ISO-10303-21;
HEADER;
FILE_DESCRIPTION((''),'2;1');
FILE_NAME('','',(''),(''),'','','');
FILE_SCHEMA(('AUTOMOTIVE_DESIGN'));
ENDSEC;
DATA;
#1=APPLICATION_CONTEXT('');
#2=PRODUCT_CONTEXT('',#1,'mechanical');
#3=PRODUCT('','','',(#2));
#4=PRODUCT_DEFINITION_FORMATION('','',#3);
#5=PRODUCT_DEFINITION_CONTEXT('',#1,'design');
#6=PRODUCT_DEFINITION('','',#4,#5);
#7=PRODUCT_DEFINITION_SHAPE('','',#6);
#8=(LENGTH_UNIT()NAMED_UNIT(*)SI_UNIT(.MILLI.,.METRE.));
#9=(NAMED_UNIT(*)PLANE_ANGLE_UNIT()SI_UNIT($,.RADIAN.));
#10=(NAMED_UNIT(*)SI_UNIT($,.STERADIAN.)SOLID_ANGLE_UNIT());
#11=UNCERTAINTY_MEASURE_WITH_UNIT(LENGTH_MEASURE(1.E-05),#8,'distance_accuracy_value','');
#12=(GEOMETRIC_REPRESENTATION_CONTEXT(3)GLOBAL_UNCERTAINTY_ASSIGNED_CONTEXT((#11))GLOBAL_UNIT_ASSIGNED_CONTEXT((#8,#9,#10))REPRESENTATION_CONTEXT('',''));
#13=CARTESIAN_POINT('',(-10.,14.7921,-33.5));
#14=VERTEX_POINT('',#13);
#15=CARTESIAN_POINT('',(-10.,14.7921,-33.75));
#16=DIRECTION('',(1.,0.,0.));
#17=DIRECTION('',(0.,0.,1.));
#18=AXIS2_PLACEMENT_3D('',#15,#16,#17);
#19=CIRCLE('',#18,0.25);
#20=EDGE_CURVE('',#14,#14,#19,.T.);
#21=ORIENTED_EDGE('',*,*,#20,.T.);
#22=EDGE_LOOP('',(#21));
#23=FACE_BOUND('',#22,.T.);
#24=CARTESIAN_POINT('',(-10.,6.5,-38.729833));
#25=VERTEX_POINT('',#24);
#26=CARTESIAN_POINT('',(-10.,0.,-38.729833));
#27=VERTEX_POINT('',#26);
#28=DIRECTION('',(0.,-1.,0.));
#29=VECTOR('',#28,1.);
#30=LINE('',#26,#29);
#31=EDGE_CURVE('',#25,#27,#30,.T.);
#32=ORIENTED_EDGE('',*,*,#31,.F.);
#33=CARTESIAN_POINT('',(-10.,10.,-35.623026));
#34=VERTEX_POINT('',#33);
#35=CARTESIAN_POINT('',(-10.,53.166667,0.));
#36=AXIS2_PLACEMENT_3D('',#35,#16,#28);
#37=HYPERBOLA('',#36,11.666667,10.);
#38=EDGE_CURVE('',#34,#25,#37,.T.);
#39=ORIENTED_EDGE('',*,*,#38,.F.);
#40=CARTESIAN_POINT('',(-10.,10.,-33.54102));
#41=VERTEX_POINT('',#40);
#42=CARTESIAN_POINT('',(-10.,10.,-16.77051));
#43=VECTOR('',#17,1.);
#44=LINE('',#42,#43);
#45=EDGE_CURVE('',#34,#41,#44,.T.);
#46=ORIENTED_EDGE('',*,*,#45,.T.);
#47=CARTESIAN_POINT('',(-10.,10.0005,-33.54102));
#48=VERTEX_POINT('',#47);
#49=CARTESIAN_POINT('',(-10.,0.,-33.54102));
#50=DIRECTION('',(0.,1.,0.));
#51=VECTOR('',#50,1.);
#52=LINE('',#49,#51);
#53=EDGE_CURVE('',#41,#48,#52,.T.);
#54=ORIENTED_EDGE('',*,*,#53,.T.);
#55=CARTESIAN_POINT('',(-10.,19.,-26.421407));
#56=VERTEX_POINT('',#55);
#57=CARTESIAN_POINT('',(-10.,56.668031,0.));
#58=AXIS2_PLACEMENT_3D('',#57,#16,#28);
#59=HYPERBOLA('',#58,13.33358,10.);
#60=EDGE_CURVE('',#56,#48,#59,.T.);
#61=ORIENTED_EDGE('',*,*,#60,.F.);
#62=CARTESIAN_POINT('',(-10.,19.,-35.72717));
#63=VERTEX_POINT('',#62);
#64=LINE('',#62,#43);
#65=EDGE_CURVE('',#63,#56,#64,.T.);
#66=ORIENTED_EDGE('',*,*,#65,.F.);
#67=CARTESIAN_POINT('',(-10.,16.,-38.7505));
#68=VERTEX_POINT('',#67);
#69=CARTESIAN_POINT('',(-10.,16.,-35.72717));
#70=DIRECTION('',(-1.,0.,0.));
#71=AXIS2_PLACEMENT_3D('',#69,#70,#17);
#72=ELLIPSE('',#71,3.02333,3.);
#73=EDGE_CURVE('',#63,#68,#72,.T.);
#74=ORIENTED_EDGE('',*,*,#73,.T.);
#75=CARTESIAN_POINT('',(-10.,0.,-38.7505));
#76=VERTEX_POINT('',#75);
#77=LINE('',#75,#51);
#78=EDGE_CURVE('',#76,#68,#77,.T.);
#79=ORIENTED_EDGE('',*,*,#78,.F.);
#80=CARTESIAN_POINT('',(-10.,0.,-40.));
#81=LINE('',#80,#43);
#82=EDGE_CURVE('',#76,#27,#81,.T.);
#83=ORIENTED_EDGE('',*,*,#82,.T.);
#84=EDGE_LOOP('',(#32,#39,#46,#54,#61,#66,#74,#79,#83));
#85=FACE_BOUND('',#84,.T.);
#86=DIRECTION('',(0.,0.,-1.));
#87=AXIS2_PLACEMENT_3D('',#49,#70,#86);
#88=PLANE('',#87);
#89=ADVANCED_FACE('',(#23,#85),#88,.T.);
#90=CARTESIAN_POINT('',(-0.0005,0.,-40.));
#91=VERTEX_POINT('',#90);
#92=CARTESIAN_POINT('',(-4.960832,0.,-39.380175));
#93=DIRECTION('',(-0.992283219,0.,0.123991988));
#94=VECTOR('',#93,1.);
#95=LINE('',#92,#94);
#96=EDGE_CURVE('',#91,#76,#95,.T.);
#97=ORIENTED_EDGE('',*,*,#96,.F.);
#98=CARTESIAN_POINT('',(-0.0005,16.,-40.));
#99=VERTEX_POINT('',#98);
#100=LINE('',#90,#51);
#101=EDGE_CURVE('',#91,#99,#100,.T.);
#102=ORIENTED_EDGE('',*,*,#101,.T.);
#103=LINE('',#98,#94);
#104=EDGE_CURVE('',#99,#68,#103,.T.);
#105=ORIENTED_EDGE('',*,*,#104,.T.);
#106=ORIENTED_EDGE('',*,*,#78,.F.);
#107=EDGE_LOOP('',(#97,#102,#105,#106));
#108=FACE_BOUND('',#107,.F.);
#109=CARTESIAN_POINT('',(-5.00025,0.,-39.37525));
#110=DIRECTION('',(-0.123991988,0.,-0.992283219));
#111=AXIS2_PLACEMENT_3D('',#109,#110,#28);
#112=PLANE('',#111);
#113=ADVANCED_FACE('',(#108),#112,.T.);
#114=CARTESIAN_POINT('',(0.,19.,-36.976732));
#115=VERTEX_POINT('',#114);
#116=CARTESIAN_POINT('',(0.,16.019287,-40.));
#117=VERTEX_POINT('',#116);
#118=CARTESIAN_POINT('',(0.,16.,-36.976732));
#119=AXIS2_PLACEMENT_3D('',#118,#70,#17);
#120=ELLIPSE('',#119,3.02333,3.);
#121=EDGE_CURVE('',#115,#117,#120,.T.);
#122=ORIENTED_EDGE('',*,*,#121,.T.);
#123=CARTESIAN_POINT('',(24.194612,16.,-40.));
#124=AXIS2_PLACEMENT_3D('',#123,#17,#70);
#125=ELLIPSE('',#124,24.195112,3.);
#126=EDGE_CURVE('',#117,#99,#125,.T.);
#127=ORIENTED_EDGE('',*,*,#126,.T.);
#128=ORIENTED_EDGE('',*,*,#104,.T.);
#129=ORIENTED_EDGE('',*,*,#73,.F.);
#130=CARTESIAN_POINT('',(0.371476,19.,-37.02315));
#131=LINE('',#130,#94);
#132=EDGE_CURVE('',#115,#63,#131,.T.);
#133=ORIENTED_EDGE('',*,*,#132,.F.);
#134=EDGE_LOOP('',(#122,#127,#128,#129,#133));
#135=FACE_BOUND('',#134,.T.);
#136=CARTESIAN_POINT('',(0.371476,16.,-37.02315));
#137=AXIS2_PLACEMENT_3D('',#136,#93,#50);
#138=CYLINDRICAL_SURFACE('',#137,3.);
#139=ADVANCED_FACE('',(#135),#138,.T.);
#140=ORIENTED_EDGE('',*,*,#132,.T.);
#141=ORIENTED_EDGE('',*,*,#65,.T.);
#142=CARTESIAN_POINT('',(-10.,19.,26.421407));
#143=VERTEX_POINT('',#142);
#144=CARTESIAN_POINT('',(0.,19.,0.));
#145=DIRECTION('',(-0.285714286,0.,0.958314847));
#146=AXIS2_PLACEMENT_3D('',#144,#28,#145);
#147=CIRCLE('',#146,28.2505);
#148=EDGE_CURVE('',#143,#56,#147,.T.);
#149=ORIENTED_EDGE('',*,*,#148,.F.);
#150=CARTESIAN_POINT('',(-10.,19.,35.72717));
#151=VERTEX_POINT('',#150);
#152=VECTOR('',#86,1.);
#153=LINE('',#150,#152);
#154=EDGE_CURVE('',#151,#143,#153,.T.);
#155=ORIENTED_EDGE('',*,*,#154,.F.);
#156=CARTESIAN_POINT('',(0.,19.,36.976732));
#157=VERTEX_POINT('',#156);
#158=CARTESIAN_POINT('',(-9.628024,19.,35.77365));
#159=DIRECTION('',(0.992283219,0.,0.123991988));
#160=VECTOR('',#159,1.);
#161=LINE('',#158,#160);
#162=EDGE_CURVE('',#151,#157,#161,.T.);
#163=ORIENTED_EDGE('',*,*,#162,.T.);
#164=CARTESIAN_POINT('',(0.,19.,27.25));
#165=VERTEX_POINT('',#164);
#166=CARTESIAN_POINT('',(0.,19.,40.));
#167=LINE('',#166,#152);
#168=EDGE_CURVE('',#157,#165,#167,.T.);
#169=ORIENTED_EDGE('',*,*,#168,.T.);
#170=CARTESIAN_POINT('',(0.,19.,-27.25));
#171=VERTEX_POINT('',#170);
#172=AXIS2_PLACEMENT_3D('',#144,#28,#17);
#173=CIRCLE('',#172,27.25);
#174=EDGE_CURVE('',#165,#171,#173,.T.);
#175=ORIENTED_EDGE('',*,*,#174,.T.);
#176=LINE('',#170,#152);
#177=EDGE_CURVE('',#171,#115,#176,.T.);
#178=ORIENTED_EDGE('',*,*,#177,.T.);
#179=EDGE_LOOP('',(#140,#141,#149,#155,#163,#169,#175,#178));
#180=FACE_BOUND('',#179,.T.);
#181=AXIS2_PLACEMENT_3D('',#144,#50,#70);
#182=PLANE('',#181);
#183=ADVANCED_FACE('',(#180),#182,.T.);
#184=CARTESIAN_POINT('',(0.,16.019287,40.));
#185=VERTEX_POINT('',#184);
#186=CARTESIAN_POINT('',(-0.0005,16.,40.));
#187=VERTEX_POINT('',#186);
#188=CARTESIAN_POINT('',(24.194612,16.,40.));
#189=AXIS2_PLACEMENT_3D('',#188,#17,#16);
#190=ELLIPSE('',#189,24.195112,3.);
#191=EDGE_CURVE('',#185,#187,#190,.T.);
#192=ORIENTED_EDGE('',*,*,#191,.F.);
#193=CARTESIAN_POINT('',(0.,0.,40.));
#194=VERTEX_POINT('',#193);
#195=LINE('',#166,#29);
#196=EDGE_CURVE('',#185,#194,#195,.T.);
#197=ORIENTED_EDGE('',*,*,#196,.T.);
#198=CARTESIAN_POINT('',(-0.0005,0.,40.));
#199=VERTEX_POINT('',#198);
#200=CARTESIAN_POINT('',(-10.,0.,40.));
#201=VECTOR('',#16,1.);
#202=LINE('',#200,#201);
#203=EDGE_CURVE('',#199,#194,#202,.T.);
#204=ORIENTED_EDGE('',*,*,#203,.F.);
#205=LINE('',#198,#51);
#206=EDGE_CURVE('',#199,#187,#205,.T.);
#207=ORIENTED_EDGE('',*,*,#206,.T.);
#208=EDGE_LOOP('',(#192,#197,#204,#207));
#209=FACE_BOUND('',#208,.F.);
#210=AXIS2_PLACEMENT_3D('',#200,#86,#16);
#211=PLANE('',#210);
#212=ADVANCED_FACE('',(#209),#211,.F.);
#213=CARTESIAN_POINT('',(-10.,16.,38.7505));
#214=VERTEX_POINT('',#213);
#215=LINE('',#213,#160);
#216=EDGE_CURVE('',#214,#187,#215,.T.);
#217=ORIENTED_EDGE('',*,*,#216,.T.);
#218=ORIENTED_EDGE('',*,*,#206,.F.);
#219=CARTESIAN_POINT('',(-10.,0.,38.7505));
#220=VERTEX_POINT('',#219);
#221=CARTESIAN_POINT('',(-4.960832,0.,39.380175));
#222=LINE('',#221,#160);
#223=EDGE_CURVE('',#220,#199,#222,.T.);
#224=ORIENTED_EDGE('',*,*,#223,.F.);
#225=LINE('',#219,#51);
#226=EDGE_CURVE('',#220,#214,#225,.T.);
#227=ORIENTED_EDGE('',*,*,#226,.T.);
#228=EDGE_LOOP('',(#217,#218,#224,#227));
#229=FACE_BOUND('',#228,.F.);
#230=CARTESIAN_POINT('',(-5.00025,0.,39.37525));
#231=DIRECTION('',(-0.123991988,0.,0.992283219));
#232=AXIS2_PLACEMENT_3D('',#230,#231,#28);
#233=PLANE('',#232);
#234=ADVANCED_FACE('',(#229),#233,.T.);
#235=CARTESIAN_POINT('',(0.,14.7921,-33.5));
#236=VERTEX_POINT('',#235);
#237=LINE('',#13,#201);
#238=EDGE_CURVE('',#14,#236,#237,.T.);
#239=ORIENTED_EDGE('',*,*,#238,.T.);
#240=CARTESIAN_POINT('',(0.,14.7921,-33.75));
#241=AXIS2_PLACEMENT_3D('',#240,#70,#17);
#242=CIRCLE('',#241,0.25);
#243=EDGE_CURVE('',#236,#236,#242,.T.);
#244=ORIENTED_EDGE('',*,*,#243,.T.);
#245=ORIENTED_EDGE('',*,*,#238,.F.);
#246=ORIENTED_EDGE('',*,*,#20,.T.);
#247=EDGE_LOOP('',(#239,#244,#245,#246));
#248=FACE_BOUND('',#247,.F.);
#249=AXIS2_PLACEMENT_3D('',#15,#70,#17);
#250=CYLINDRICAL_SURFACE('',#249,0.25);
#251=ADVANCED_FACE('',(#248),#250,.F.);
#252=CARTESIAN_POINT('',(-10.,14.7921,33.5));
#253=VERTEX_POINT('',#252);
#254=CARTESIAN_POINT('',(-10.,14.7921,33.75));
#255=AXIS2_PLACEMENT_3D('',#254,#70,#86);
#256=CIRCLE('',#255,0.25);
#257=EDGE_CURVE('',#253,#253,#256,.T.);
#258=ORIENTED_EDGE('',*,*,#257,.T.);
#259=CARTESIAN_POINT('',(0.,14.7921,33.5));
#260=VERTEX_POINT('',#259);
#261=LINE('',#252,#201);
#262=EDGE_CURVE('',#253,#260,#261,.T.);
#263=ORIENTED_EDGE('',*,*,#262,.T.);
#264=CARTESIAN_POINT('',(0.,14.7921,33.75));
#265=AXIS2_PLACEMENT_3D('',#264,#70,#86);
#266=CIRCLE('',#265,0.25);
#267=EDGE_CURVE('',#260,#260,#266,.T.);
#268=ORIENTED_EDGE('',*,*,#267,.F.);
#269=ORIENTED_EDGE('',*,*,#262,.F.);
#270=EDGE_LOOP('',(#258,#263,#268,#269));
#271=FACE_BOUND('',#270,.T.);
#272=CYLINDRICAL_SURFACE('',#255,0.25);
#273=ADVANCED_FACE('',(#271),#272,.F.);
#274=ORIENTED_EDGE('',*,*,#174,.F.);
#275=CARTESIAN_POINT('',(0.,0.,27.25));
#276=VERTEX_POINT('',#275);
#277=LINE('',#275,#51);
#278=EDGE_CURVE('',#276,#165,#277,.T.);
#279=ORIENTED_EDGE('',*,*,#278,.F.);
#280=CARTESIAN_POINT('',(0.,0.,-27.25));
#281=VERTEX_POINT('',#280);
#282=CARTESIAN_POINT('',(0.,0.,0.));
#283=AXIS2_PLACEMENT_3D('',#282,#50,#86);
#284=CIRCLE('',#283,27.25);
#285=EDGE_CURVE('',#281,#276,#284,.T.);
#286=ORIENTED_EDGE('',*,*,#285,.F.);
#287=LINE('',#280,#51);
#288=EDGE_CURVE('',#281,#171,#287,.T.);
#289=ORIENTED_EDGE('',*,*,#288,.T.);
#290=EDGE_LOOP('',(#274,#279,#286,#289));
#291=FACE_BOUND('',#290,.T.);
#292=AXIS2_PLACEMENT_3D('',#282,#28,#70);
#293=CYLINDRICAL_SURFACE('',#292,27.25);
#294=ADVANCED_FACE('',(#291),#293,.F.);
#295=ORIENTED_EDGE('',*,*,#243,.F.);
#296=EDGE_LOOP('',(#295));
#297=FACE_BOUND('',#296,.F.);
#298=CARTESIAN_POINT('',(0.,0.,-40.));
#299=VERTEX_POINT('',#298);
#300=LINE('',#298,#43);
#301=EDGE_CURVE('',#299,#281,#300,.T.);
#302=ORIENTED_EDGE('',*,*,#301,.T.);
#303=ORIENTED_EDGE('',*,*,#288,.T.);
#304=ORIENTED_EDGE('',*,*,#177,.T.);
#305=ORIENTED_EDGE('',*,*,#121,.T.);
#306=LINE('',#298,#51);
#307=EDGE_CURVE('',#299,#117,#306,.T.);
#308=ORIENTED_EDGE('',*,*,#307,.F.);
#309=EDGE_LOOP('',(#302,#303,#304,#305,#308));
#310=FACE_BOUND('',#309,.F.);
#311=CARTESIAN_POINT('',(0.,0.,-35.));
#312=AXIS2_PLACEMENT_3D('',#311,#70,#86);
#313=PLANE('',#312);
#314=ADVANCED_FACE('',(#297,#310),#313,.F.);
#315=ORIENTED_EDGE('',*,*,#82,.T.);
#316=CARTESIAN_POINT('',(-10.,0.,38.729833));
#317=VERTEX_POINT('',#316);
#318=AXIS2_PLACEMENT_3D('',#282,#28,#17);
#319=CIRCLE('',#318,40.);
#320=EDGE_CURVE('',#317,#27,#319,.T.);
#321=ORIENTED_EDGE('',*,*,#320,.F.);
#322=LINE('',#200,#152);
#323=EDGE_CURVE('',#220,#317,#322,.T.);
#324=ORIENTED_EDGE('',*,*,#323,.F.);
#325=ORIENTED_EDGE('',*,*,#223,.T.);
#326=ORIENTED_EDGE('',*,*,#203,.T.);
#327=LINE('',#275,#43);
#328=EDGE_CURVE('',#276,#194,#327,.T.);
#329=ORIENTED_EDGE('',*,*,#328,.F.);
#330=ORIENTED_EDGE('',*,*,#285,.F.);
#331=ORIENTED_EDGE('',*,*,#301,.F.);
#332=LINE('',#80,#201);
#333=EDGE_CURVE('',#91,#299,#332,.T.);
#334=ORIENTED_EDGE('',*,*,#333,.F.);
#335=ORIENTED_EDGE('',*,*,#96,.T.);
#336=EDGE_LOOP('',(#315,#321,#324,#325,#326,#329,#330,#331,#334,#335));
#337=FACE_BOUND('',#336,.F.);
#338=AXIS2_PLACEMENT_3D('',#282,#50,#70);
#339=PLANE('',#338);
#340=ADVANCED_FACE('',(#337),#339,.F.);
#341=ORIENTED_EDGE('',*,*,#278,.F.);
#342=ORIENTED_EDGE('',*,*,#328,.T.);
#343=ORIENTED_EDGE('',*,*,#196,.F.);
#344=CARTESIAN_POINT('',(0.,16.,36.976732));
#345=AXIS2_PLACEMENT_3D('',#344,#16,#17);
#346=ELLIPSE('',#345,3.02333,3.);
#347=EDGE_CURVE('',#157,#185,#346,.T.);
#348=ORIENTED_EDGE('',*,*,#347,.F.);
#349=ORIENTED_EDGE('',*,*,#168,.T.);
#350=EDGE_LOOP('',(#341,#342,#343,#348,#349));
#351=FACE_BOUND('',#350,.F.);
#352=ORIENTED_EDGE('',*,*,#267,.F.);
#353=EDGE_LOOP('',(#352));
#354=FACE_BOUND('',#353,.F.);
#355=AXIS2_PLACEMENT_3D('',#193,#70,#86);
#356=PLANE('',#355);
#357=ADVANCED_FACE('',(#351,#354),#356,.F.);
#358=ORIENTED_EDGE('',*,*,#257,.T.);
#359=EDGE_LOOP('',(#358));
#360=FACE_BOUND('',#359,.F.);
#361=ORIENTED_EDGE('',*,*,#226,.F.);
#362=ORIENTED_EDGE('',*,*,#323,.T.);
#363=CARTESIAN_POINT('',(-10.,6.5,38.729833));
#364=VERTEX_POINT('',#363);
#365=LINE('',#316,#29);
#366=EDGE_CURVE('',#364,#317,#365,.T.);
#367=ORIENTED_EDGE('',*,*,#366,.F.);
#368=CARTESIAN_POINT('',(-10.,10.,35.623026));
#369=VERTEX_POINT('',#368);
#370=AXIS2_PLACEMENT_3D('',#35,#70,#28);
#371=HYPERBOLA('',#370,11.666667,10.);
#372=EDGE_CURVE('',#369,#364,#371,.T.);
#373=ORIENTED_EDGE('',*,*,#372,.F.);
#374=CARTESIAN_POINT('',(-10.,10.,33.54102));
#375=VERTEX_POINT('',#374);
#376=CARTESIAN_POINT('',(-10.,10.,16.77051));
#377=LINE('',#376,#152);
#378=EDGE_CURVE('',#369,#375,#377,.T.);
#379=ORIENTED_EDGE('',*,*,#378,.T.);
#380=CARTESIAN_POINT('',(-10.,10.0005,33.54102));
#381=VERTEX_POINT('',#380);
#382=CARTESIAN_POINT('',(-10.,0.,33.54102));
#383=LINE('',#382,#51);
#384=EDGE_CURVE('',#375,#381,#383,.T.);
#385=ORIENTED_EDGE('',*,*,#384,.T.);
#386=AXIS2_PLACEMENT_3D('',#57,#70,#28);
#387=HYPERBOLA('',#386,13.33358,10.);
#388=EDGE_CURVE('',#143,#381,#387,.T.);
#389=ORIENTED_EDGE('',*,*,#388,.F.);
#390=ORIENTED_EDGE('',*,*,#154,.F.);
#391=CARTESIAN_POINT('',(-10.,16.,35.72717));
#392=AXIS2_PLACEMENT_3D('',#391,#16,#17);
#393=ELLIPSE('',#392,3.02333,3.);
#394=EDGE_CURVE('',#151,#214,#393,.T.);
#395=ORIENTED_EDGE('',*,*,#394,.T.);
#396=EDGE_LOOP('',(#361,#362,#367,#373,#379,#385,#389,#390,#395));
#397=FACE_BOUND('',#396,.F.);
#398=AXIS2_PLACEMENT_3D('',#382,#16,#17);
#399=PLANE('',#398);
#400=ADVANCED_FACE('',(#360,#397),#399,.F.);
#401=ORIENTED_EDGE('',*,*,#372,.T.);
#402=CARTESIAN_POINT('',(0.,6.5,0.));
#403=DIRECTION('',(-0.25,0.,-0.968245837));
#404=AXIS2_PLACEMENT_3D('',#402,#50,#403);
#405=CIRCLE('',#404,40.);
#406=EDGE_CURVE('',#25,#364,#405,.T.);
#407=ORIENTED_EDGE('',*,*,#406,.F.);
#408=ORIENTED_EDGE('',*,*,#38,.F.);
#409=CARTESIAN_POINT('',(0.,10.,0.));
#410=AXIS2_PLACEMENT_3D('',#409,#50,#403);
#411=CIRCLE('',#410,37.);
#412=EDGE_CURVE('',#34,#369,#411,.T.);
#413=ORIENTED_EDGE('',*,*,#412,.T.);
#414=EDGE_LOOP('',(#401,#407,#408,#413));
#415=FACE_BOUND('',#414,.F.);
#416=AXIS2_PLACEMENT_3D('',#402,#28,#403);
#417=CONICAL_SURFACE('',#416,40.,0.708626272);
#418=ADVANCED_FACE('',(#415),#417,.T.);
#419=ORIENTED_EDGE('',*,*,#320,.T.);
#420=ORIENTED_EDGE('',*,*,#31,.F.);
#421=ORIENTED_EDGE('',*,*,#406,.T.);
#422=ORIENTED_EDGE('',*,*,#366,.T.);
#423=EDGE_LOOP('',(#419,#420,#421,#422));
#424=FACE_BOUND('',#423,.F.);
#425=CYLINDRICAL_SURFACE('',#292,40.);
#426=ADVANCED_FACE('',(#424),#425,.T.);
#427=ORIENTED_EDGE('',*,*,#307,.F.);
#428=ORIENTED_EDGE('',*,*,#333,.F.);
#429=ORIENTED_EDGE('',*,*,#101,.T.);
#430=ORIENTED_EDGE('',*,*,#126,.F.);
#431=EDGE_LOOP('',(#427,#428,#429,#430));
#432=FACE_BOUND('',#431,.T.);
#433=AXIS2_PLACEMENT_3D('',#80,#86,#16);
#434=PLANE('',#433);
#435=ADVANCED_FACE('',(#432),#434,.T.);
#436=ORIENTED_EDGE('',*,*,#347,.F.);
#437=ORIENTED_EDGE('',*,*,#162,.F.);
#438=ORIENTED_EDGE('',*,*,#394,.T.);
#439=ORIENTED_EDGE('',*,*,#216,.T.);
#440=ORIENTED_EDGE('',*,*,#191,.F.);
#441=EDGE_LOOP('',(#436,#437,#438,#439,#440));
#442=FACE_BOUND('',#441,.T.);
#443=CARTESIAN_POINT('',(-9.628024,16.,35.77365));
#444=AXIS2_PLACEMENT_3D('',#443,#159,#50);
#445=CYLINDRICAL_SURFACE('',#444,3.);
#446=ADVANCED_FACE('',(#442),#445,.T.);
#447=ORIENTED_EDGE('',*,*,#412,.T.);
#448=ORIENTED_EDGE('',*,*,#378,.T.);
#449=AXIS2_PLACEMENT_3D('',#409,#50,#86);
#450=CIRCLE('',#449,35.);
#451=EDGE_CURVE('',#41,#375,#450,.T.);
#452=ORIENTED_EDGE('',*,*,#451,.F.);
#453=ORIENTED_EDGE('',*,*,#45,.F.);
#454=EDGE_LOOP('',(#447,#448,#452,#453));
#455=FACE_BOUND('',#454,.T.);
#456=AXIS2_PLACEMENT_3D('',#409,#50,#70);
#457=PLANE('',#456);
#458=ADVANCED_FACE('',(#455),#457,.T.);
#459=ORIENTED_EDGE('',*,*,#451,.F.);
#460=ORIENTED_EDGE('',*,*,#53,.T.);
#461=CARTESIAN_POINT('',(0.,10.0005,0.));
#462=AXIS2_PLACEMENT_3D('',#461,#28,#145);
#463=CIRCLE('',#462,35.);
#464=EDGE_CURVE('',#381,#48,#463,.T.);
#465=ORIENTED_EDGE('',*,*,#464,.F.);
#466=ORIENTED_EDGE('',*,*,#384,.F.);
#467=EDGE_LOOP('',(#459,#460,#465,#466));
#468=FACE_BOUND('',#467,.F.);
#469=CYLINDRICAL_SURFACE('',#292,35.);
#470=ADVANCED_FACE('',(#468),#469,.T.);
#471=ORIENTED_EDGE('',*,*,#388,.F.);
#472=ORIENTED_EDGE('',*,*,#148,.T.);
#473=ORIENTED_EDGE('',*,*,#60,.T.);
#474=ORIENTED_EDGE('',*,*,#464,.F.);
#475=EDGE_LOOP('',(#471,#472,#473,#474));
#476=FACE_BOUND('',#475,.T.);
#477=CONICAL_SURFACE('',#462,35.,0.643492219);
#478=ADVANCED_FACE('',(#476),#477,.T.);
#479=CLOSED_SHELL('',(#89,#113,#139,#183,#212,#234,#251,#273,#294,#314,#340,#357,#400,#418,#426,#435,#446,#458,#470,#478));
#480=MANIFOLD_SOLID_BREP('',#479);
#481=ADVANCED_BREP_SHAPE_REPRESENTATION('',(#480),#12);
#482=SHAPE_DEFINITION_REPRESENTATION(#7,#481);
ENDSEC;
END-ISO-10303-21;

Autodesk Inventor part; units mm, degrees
ref_plane "YZ Plane" through (0, 0, 0) normal (1, 0, 0) x (0, 1, 0)
ref_plane "XZ Plane" through (0, 0, 0) normal (0, 1, 0) x (-1, 0, 0)
ref_plane "XY Plane" through (0, 0, 0) normal (0, 0, 1) x (1, 0, 0)
sketch "Sketch1" plane through (0, 0, 0) normal (0, 1, 0) x (-1, 0, 0)
  circle A0 centre (0, 0) radius 27.25
  circle A1 centre (0, 0) radius 40
  line L0 (0, 40) -> (0, -40)
  line L1 (0, 27.25) -> (0, 40)
  line L2 (0, 0) -> (45.8367, 0)
  line L3 (0, -27.25) -> (0, -40)
  circle A2 centre (0, 0) radius 35
  line L4 (0, -27.25) -> (10, -27.25)
  line L5 (10, -27.25) -> (10, -40)
  line L6 (10, -40) -> (0, -40)
  line L7 (0, -40) -> (0, -27.25)
  line L8 (0, 27.25) -> (10, 27.25)
  line L9 (10, 27.25) -> (10, 40)
  line L10 (10, 40) -> (0, 40)
  point P0 (0, -26.75)
  point P1 (0, 35)
  point P2 (0, -35)
  point P3 (10, -33.541)
  point P4 (10, 38.7298)
  point P5 (10, 33.541)
  dimension "d0" = 54.5
  dimension "d1" = 80
  dimension "d15" = 70
  dimension "d18" = 10
extrude "Extrusion6" add sketch "Sketch1" along normal blind 10 contours A2 L9 A1 L2 | L2 A1 L5 A2 | L0 A1 L9 A2 | A2 L5 A1 L0
extrude "Extrusion7" add sketch "Sketch1" along normal blind 19 contours L2 A2 L5 L4 A0 | A0 L8 L9 A2 L2 | L0 A2 L9 L8 | L4 L5 A2 L0 | L0 A1 L9 A2 | A2 L5 A1 L0 | L10 L9 A1 | A1 L5 L6
chamfer "Chamfer1" distance 10 distance2 1.25 1 edges at (-10, 9.5, -40) measured on face at (-3.3333, 6.3333, -40)
chamfer "Chamfer2" distance 1.25 distance2 10 1 edges at (-10, 9.5, 40) measured on face at (-10, 16, 37.4236)
chamfer "Chamfer3" distance 6.75 distance2 9 1 edges at (-35, 19, 0) measured on face at (-3.3335, 19, -33.597)
chamfer "Chamfer4" distance 3 distance2 3.5 1 edges at (-40, 10, 0) measured on face at (-36.5086, 10, 0)
fillet "Fillet1" radius 3 2 edges at (-5.0003, 19, 39.3753) (-5.0003, 19, -39.3753)
sketch "Sketch3" plane through (-10, 0, -38.7298) normal (-1, 0, 0) x (0, 0, 1)
  line L0 (-0.0202, 0) -> (-0.0202, 16) projected
  line L1 (-0.0202, 14.7921) -> (4.9798, 14.7921)
  line L2 (4.9798, 14.7921) -> (4.9798, 19.7921)
  circle A0 centre (4.9798, 14.7921) radius 0.25
  point P0 (38.7298, 0)
  dimension "d32" = 5
  dimension "d33" = 5
  dimension "d34" = 0.5
extrude "Extrusion8" cut sketch "Sketch3" against normal through all
mirror "Mirror1" about plane through (0, 0, 0) normal (0, 0, 1) of "Extrusion8"
properties part number "Obrecz_kolanko"
